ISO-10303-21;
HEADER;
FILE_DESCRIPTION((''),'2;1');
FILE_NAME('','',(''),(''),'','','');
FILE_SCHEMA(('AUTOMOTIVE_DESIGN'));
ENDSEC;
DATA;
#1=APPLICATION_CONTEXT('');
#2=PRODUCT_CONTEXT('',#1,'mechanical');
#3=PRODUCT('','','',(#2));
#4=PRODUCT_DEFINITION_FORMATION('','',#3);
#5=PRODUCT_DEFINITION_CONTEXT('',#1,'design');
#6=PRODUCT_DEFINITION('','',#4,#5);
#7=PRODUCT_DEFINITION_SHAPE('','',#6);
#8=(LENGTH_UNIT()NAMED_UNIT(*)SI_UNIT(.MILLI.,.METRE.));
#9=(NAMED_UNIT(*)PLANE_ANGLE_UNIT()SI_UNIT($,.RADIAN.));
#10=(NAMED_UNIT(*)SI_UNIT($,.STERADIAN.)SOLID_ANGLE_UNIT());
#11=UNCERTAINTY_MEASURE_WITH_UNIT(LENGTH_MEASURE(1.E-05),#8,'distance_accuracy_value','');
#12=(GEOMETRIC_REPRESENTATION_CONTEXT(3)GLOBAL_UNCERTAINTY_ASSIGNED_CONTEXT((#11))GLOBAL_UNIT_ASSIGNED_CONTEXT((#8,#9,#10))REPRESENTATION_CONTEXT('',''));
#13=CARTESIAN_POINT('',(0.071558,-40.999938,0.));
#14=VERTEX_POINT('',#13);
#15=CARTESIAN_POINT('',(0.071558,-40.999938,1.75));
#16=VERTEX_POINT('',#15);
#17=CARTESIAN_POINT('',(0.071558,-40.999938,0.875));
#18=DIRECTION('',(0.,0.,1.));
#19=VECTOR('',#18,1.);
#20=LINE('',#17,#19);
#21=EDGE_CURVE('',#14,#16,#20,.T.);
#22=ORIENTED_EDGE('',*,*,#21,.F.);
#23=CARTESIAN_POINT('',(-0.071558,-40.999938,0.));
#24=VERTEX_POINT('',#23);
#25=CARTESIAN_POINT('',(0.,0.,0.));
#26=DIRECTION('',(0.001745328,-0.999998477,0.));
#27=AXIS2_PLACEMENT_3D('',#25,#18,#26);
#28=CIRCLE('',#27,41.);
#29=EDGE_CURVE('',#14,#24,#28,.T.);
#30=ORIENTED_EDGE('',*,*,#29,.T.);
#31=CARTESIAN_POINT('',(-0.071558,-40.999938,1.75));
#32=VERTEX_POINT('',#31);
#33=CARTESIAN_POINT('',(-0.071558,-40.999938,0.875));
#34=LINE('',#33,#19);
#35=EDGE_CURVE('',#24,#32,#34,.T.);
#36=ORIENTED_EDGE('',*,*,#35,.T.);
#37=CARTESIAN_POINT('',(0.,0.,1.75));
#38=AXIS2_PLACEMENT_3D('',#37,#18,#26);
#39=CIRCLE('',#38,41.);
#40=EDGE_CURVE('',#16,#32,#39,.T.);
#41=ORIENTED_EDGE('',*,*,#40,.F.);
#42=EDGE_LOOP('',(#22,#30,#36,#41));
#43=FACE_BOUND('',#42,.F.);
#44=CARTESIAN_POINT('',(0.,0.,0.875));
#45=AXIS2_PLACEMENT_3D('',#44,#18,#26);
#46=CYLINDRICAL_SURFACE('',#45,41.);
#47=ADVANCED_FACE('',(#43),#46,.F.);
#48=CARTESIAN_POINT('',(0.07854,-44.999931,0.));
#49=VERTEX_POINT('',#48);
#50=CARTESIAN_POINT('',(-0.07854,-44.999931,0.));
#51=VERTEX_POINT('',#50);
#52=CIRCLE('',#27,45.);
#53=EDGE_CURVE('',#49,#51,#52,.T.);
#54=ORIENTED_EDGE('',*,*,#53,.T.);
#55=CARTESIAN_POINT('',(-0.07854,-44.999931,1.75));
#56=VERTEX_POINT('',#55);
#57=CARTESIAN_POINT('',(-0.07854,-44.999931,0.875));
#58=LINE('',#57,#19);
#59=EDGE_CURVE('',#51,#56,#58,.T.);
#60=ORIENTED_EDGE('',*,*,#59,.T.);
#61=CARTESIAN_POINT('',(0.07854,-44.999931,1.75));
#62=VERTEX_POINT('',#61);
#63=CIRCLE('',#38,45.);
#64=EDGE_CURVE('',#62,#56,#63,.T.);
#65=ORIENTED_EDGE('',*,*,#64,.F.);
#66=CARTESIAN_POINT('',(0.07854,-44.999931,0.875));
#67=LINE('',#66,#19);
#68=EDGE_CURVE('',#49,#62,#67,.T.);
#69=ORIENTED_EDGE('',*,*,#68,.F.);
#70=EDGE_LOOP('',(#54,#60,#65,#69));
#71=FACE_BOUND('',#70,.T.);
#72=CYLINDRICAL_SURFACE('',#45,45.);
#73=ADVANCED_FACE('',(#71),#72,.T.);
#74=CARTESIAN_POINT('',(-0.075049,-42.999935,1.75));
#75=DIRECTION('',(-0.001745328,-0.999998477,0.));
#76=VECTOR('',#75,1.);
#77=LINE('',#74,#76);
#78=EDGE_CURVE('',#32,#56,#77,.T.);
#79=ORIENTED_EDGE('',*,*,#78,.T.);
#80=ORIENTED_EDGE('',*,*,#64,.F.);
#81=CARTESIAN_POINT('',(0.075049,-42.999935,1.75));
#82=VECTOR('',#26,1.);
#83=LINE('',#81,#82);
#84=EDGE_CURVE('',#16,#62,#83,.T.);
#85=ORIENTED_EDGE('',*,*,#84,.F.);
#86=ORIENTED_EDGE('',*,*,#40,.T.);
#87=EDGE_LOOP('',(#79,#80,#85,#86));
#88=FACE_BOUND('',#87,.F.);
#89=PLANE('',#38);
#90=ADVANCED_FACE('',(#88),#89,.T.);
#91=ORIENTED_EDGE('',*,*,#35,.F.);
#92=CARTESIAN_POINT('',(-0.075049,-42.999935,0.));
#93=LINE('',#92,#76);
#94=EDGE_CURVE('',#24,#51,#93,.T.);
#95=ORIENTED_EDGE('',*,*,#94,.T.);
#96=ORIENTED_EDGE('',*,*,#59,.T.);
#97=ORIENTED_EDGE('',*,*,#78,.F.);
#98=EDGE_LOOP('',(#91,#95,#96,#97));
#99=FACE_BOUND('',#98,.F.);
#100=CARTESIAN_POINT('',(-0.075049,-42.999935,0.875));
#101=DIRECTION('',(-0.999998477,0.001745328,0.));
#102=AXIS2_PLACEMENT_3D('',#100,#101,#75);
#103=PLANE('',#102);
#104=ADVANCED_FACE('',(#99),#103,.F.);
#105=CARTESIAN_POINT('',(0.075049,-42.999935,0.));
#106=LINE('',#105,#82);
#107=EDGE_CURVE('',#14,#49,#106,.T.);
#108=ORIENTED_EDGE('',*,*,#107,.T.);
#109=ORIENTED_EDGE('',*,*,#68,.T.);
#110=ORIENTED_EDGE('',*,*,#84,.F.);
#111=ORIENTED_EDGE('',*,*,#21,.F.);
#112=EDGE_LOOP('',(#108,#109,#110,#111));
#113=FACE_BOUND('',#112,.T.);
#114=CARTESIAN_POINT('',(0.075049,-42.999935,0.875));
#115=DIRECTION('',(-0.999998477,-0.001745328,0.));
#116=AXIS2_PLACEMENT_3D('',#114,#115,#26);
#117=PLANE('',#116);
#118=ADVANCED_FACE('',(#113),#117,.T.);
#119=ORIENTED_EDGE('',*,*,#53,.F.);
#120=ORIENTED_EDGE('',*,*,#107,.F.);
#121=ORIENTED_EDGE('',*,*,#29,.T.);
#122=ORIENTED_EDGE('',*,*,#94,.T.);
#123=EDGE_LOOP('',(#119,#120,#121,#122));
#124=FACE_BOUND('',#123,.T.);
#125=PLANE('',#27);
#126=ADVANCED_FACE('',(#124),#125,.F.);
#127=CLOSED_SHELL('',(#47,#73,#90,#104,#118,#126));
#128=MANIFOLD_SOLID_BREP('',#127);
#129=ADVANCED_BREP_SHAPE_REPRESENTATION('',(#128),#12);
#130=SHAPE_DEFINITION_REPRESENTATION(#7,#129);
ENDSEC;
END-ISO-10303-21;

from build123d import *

# Parameters (mm, degrees)
F0_W          = 4
F0_H          = 1.75
F1_ANGLE_BACK = 179.9
F1_ANGLE      = 359.8


with BuildPart() as f1:
    # F0 (on Right) → F1 (revolve)
    with BuildSketch(Plane.YZ, mode=Mode.PRIVATE) as f1_sk:
        with Locations((43, 0.875)):
            Rectangle(F0_W, F0_H)
    revolve(f1_sk.sketch.rotate(Axis((0, 0, 10), (0, 0, 1)), -F1_ANGLE_BACK), axis=Axis((0, 0, 10), (0, 0, 1)), revolution_arc=F1_ANGLE)


solid = f1.part
